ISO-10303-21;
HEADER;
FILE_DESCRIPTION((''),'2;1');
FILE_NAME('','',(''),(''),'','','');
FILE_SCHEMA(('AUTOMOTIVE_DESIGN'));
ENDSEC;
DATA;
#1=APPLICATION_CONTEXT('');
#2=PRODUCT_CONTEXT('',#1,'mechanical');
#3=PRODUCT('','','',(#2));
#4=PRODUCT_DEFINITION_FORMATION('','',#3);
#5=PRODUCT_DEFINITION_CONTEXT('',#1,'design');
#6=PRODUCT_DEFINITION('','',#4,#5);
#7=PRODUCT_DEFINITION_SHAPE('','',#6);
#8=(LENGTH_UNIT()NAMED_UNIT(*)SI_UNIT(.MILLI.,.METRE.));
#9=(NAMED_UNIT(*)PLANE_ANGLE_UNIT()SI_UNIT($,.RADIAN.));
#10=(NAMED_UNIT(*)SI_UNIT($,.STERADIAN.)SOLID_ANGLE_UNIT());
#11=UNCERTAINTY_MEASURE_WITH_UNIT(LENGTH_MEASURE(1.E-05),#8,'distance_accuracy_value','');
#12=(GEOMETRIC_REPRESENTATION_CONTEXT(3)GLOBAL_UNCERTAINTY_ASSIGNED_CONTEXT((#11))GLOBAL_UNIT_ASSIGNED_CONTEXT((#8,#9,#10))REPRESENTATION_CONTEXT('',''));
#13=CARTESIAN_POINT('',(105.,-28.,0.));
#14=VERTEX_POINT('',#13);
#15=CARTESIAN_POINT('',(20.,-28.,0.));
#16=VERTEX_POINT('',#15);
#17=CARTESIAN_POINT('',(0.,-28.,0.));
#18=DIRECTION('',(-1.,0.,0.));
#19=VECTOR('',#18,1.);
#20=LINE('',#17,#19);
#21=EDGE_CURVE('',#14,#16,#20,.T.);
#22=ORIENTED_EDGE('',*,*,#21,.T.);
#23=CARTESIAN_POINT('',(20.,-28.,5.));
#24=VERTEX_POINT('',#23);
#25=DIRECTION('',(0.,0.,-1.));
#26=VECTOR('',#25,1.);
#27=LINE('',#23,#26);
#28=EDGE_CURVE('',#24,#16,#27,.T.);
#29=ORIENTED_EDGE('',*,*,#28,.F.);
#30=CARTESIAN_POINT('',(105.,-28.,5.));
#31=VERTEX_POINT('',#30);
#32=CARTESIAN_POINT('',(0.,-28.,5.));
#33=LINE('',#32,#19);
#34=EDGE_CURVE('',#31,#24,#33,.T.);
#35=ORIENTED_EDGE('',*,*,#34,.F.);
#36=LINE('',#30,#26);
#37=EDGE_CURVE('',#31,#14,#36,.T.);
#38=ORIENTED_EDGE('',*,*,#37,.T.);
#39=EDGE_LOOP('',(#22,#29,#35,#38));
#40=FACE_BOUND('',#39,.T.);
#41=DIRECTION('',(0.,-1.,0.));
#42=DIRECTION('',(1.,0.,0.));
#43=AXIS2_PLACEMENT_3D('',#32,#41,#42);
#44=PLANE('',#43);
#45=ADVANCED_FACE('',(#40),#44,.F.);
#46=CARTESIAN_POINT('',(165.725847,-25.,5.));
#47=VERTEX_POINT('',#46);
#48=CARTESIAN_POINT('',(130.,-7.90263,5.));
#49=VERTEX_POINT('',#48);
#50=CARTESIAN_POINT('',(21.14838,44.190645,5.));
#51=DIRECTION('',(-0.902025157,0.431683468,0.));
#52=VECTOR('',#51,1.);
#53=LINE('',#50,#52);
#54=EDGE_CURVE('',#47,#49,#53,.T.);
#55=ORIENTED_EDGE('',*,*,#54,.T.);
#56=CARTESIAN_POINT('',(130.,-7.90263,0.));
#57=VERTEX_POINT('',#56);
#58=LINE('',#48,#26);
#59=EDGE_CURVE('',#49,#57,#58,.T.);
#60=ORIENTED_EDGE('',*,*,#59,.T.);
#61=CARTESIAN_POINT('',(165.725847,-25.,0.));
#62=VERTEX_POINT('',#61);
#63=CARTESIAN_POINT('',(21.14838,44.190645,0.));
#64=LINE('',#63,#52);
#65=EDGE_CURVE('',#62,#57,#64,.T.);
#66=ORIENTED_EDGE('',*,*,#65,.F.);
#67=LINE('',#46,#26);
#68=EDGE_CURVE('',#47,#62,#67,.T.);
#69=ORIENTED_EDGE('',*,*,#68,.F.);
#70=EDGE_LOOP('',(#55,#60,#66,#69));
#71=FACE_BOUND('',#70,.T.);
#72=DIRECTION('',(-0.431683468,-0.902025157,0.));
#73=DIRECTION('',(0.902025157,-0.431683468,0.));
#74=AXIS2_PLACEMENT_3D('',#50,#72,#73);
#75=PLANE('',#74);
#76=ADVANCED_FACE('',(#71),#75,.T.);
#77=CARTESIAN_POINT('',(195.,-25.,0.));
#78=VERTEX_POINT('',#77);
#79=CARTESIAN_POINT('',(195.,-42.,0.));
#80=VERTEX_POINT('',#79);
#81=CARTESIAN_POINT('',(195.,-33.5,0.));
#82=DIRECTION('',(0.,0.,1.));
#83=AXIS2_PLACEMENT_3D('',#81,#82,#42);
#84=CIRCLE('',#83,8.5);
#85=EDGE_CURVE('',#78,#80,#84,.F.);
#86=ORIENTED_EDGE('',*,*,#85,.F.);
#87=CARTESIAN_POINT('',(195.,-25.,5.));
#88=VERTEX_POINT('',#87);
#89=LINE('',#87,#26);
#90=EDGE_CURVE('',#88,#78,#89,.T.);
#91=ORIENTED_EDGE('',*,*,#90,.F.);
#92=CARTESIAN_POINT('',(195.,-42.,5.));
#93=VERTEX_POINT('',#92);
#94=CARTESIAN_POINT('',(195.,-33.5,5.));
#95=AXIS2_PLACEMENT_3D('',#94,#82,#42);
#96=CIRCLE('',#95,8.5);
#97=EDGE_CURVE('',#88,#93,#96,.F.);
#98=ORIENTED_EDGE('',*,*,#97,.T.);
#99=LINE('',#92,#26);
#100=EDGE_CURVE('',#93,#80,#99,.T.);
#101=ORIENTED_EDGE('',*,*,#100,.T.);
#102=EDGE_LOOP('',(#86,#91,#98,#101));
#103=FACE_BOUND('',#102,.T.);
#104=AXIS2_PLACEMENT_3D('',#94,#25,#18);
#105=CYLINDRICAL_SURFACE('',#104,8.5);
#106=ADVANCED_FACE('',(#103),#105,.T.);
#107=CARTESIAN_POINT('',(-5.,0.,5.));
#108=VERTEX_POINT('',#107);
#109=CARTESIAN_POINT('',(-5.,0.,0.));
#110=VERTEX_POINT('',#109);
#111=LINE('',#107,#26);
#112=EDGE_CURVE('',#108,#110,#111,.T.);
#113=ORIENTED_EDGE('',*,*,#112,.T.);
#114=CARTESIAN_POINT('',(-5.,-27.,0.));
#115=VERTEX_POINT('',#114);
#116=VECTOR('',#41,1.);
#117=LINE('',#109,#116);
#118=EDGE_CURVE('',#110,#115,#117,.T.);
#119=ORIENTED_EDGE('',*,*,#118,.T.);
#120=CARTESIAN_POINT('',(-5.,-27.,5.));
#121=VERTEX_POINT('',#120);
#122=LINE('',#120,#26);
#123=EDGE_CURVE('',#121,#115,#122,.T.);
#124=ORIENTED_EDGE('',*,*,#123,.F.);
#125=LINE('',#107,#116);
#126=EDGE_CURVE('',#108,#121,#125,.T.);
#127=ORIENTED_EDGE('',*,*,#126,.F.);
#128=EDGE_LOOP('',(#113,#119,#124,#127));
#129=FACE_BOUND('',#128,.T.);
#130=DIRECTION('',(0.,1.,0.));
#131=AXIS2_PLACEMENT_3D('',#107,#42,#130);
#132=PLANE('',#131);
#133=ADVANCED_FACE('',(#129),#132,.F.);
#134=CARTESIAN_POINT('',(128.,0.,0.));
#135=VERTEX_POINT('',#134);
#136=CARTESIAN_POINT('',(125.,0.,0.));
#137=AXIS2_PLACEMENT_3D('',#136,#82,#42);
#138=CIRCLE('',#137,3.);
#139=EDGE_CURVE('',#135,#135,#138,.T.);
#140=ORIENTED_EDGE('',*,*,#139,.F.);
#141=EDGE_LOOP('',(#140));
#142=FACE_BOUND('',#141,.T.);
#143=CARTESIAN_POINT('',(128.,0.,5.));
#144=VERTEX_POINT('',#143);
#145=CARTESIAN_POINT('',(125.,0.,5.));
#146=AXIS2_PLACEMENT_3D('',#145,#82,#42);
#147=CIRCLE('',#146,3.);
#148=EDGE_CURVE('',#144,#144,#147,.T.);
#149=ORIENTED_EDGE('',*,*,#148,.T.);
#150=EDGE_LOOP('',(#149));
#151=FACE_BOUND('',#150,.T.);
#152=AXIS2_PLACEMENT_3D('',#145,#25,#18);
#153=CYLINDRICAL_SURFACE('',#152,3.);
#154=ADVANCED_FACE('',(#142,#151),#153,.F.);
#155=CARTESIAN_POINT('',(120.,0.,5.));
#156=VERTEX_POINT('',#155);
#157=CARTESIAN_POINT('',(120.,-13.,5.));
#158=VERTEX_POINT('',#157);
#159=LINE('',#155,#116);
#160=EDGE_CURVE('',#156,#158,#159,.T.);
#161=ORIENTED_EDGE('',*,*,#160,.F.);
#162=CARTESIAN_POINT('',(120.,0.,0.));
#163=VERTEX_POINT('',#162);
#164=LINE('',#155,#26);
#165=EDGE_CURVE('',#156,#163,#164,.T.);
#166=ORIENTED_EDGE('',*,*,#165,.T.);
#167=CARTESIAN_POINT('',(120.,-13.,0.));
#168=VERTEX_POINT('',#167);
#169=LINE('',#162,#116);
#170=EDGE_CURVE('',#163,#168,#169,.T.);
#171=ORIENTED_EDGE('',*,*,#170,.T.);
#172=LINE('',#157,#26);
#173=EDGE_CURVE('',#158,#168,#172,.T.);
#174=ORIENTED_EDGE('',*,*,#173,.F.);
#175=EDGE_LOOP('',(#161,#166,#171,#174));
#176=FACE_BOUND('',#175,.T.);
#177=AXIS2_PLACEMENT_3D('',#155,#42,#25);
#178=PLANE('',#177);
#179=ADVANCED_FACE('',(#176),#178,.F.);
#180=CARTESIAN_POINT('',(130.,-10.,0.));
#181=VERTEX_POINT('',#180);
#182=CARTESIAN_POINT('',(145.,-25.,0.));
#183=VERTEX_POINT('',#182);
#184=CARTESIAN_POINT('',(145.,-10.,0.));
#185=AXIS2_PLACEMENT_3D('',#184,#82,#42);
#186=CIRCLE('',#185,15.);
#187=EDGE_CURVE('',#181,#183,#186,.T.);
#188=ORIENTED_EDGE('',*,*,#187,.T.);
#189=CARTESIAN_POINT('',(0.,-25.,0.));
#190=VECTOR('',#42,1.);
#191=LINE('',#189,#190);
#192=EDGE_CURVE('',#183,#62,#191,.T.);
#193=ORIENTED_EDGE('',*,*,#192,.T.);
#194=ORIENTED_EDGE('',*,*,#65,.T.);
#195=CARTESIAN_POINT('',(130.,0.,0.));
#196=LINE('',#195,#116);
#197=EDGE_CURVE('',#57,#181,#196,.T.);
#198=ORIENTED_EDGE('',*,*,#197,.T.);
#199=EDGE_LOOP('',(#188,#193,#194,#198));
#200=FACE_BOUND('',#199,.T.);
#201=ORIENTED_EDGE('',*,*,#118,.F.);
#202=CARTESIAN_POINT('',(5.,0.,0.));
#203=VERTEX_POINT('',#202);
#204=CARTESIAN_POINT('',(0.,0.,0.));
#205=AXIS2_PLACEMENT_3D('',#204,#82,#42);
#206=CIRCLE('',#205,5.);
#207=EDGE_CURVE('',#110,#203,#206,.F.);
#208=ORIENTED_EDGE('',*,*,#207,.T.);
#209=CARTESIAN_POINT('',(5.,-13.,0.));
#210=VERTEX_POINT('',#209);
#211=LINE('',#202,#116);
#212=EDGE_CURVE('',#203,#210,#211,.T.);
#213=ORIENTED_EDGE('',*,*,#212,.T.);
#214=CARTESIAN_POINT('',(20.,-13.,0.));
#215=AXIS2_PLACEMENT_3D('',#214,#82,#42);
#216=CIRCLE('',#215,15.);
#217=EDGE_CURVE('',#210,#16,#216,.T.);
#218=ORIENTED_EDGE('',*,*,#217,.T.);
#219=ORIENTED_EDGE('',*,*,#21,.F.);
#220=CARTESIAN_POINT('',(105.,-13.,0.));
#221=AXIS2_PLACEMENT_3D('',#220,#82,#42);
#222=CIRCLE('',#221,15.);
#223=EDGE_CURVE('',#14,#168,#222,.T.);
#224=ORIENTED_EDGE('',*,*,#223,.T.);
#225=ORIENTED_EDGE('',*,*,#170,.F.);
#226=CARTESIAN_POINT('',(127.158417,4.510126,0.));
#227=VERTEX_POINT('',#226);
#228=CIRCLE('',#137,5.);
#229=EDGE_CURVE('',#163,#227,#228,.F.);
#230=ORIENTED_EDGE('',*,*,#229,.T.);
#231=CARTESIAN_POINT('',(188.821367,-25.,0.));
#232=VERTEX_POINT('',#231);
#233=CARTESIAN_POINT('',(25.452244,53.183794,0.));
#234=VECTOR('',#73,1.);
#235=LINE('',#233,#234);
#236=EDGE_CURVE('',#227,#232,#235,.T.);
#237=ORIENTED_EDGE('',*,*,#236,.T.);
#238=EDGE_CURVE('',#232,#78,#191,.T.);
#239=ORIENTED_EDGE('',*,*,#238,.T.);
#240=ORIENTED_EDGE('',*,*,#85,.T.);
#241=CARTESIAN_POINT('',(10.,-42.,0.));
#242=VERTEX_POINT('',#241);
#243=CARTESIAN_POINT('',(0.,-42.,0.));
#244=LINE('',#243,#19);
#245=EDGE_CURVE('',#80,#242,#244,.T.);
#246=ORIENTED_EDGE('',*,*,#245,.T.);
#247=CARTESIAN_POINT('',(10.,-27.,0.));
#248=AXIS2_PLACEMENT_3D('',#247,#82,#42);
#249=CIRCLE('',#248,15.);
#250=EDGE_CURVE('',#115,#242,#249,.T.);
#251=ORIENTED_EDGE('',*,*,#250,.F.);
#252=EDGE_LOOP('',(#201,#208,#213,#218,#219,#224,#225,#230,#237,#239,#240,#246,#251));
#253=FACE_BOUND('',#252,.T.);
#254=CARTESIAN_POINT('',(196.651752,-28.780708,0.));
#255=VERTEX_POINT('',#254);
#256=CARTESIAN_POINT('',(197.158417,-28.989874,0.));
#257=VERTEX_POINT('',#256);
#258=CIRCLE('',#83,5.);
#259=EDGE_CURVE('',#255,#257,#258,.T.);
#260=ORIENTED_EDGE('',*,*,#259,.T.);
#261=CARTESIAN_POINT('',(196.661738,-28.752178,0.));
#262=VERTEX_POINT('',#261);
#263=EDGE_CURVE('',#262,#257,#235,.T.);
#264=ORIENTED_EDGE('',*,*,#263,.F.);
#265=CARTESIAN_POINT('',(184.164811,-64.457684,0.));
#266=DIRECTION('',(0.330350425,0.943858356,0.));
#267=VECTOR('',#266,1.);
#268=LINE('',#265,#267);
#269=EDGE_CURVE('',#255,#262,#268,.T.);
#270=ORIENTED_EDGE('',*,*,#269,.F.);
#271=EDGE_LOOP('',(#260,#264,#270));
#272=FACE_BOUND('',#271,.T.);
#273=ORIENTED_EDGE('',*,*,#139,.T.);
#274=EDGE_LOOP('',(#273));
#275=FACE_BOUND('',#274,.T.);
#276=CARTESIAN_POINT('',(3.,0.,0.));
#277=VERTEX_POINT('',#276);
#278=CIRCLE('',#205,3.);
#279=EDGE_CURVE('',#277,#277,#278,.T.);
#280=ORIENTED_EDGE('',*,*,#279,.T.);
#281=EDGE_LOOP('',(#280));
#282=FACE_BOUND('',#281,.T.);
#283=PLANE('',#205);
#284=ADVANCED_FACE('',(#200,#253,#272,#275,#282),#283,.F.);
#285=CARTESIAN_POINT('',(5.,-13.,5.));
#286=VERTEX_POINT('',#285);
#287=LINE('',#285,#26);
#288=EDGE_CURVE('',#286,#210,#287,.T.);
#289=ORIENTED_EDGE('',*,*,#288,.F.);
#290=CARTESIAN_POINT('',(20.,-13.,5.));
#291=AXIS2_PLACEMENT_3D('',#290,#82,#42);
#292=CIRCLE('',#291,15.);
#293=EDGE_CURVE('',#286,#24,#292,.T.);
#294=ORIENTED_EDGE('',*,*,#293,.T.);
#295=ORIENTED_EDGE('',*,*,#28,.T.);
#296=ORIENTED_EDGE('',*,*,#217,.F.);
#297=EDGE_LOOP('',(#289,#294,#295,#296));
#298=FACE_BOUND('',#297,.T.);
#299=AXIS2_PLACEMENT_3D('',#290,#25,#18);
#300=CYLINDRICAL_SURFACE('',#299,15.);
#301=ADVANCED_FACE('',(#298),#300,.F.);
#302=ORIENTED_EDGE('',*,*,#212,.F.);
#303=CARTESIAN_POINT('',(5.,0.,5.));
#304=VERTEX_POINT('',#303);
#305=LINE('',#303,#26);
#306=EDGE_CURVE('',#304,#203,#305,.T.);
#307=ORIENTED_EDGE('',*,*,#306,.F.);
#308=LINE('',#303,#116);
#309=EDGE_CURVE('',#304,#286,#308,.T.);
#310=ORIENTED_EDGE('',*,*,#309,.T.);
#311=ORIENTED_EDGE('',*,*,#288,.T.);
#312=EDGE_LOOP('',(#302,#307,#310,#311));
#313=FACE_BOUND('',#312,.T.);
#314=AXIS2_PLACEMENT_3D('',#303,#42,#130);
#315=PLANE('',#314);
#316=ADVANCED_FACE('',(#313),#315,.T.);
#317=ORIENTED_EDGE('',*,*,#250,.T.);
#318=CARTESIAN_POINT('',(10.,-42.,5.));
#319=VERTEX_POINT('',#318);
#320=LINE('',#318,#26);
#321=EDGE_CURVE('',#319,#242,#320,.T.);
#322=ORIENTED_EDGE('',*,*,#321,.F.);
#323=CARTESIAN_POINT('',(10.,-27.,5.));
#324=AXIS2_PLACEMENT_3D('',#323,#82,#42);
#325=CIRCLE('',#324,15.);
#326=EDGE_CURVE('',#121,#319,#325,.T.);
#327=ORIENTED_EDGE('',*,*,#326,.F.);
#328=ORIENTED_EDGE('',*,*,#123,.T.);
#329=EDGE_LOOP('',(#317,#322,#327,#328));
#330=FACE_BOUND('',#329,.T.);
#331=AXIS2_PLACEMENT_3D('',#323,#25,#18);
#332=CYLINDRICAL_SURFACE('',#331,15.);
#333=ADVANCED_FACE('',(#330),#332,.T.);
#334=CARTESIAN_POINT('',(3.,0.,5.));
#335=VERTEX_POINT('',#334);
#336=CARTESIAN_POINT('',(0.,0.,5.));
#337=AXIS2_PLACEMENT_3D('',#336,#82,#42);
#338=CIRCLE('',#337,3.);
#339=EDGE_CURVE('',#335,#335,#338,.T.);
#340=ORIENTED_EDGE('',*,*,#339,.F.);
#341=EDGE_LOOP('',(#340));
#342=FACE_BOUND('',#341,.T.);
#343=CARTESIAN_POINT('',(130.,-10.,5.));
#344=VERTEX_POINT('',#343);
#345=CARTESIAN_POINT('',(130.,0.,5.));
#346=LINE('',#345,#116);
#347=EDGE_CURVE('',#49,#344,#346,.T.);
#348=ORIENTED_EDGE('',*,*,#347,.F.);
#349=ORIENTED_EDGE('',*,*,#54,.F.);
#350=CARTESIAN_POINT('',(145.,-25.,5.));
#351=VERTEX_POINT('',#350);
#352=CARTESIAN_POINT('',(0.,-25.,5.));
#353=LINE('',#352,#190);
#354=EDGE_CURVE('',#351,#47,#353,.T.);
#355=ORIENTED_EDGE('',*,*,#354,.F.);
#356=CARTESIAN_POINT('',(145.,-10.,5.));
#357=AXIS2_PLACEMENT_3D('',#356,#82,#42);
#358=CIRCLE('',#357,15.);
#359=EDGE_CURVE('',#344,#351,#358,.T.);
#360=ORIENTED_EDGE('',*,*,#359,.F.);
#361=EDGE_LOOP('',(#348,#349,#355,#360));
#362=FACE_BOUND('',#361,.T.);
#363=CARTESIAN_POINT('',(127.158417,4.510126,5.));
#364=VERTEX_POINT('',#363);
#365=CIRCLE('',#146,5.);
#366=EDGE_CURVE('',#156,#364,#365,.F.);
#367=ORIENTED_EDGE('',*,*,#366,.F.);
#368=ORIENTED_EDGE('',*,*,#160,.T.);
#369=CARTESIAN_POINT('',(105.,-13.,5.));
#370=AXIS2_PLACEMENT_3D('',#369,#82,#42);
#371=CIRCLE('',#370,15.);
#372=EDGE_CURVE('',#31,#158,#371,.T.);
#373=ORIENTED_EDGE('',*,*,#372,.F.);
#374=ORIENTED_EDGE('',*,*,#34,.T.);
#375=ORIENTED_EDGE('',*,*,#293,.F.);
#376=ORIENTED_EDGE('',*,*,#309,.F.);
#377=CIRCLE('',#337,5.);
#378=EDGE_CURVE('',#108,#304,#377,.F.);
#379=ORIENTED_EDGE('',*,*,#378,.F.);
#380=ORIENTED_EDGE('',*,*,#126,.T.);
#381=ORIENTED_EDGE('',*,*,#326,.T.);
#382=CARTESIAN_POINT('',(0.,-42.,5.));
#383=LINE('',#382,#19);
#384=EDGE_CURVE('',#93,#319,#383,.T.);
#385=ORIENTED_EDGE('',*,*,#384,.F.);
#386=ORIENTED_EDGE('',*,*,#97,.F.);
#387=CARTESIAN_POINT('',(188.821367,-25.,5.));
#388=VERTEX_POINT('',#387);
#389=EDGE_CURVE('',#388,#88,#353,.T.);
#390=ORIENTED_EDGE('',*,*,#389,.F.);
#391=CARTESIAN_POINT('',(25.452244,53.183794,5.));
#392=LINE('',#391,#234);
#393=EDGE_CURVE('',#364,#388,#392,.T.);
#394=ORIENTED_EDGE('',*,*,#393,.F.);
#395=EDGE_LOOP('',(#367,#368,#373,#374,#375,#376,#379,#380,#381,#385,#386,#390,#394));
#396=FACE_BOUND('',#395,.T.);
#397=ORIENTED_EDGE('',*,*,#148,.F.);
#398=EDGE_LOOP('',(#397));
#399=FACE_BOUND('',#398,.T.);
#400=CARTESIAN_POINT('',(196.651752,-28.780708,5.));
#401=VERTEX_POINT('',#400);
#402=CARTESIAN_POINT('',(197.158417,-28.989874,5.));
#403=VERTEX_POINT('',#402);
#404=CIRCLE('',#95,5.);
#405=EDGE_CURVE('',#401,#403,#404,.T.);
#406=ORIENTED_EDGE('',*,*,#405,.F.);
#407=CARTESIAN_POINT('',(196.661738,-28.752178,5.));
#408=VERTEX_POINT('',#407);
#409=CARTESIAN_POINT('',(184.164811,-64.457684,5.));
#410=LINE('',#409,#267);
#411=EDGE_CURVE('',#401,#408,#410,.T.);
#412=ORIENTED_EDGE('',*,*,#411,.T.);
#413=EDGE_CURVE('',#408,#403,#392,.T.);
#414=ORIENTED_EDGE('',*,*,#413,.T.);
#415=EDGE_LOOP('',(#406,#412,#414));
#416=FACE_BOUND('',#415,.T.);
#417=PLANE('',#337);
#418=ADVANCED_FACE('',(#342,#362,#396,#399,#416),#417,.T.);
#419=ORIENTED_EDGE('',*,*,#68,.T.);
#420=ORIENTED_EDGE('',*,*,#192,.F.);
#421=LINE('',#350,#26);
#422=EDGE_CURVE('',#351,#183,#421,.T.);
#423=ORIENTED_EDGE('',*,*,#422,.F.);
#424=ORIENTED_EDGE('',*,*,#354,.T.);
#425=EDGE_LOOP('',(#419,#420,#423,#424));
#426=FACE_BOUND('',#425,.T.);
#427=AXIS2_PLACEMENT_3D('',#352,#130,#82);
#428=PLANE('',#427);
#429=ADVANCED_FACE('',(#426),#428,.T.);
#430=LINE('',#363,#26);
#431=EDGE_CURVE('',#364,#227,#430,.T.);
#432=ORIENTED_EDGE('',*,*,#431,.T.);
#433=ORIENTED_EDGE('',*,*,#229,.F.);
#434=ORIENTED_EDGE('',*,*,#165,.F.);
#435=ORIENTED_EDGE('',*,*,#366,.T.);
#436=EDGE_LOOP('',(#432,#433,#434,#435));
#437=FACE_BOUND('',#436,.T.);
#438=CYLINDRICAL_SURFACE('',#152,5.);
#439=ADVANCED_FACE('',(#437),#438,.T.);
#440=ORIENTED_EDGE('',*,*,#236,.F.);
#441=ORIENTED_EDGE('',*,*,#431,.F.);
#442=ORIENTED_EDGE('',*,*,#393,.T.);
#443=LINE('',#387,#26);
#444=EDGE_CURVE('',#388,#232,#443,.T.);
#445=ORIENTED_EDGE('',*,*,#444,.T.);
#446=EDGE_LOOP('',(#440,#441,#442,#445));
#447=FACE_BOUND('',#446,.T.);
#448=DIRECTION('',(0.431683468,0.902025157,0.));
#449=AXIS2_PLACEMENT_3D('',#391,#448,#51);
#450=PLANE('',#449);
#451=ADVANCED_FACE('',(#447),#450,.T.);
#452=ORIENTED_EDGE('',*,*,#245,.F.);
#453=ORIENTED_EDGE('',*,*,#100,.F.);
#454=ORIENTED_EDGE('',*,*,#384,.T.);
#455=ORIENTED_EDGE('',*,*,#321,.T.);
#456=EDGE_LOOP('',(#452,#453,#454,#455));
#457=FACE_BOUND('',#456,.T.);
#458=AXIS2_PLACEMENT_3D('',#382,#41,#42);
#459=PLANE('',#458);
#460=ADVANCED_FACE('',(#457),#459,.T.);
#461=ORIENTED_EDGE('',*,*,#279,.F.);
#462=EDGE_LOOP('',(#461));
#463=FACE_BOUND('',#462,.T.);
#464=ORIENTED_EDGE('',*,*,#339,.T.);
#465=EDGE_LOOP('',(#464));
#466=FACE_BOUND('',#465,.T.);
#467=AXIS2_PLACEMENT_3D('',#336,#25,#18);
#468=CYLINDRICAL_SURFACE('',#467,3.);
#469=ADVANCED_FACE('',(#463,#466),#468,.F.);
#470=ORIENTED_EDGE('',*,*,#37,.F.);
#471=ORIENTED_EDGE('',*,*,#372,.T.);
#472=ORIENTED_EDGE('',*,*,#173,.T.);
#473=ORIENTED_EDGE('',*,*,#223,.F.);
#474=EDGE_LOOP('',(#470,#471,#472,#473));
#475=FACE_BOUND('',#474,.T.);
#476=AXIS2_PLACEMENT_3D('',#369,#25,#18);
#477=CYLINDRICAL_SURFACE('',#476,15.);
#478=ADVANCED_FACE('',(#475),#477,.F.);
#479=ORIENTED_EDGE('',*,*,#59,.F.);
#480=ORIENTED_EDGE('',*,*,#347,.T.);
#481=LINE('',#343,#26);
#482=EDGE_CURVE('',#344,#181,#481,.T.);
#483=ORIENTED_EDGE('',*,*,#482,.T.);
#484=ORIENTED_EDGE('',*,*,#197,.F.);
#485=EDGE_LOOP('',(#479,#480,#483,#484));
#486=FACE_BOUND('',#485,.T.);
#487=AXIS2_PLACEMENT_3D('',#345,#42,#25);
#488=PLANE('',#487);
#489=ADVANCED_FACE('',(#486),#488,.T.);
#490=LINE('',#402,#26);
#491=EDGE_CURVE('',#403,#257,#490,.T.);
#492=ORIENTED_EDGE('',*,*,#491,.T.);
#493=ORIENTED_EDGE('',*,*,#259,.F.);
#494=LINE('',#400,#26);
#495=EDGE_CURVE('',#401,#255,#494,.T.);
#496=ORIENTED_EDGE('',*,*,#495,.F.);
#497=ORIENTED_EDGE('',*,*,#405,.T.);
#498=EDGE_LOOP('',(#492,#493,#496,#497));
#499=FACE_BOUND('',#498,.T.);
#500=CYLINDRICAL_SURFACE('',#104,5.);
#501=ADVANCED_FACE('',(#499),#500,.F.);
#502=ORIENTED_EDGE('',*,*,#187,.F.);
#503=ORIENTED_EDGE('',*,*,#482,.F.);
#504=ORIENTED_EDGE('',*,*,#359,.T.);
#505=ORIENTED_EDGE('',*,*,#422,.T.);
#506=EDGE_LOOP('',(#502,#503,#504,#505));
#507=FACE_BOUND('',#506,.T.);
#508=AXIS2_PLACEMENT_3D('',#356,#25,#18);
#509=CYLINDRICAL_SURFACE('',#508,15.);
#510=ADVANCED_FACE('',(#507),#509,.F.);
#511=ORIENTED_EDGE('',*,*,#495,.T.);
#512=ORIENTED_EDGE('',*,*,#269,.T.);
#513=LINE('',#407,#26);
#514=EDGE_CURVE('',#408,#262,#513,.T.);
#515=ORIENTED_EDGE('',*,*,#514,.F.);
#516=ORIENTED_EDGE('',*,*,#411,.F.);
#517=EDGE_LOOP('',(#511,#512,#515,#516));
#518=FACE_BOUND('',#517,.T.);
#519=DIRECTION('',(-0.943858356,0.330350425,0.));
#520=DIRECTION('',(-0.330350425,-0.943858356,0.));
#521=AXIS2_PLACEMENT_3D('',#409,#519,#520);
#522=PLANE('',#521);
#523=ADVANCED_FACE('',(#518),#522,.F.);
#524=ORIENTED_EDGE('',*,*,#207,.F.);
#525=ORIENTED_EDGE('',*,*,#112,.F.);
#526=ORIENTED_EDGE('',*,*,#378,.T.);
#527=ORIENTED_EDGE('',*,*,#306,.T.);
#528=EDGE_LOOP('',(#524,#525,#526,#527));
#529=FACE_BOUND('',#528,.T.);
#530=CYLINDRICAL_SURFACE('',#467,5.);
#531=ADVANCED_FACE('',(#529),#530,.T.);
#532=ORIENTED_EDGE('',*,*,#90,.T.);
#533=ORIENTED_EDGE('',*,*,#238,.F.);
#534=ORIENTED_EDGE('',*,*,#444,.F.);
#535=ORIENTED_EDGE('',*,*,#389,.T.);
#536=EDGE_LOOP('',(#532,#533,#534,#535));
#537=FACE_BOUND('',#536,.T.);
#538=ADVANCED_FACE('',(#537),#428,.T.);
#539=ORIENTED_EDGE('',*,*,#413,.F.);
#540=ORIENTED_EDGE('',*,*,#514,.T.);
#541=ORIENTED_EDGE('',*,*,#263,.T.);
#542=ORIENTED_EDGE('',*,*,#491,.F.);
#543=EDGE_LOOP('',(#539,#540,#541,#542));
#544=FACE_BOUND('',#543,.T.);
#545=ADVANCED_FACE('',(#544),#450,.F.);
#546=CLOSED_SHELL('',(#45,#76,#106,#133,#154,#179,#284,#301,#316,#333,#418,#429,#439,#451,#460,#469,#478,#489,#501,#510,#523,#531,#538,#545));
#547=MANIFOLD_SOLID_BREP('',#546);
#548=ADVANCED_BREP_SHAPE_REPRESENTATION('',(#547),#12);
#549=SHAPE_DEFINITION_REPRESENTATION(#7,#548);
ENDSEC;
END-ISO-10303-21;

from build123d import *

# Parameters (mm, degrees)
SKETCH1_R           = 3
BOSS_EXTRUDE1_DEPTH = 5


with BuildPart() as part:
    # Sketch1 → Boss-Extrude1 (new body)
    with BuildSketch(Plane.XY):
        with BuildLine():
            ThreePointArc((195, -42), (203.5, -33.5), (195, -25))
            Line((195, -25), (188.821366739, -25))
            Line((188.821366739, -25), (127.15841734, 4.510125784))
            ThreePointArc((127.15841734, 4.510125784), (122.334675132, 4.230371538), (120, 0))
            Line((120, 0), (120, -13))
            ThreePointArc((120, -13), (115.606601718, -23.606601718), (105, -28))
            Line((105, -28), (20, -28))
            ThreePointArc((20, -28), (9.393398282, -23.606601718), (5, -13))
            Line((5, -13), (5, 0))
            ThreePointArc((5, 0), (0, 5), (-5, 0))
            Line((-5, 0), (-5, -27))
            ThreePointArc((-5, -27), (-0.606601734, -37.606601701), (9.999999954, -42))
            Line((9.999999954, -42), (195, -42))
        make_face()
        with BuildLine():
            Line((196.651752124, -28.780708218), (196.661737841, -28.752177599))
            Line((196.661737841, -28.752177599), (197.15841734, -28.989874216))
            ThreePointArc((197.15841734, -28.989874216), (193.092046793, -38.121657123), (196.651752124, -28.780708218))
        make_face(mode=Mode.SUBTRACT)
        with BuildLine():
            Line((130, -7.902630298), (165.725847138, -25))
            Line((165.725847138, -25), (145, -25))
            ThreePointArc((145, -25), (134.393398282, -20.606601718), (130, -10))
            Line((130, -10), (130, -7.902630298))
        make_face(mode=Mode.SUBTRACT)
        with Locations((125, 0)):
            Circle(SKETCH1_R, mode=Mode.SUBTRACT)
        Circle(SKETCH1_R, mode=Mode.SUBTRACT)
    extrude(amount=BOSS_EXTRUDE1_DEPTH)


solid = part.part
